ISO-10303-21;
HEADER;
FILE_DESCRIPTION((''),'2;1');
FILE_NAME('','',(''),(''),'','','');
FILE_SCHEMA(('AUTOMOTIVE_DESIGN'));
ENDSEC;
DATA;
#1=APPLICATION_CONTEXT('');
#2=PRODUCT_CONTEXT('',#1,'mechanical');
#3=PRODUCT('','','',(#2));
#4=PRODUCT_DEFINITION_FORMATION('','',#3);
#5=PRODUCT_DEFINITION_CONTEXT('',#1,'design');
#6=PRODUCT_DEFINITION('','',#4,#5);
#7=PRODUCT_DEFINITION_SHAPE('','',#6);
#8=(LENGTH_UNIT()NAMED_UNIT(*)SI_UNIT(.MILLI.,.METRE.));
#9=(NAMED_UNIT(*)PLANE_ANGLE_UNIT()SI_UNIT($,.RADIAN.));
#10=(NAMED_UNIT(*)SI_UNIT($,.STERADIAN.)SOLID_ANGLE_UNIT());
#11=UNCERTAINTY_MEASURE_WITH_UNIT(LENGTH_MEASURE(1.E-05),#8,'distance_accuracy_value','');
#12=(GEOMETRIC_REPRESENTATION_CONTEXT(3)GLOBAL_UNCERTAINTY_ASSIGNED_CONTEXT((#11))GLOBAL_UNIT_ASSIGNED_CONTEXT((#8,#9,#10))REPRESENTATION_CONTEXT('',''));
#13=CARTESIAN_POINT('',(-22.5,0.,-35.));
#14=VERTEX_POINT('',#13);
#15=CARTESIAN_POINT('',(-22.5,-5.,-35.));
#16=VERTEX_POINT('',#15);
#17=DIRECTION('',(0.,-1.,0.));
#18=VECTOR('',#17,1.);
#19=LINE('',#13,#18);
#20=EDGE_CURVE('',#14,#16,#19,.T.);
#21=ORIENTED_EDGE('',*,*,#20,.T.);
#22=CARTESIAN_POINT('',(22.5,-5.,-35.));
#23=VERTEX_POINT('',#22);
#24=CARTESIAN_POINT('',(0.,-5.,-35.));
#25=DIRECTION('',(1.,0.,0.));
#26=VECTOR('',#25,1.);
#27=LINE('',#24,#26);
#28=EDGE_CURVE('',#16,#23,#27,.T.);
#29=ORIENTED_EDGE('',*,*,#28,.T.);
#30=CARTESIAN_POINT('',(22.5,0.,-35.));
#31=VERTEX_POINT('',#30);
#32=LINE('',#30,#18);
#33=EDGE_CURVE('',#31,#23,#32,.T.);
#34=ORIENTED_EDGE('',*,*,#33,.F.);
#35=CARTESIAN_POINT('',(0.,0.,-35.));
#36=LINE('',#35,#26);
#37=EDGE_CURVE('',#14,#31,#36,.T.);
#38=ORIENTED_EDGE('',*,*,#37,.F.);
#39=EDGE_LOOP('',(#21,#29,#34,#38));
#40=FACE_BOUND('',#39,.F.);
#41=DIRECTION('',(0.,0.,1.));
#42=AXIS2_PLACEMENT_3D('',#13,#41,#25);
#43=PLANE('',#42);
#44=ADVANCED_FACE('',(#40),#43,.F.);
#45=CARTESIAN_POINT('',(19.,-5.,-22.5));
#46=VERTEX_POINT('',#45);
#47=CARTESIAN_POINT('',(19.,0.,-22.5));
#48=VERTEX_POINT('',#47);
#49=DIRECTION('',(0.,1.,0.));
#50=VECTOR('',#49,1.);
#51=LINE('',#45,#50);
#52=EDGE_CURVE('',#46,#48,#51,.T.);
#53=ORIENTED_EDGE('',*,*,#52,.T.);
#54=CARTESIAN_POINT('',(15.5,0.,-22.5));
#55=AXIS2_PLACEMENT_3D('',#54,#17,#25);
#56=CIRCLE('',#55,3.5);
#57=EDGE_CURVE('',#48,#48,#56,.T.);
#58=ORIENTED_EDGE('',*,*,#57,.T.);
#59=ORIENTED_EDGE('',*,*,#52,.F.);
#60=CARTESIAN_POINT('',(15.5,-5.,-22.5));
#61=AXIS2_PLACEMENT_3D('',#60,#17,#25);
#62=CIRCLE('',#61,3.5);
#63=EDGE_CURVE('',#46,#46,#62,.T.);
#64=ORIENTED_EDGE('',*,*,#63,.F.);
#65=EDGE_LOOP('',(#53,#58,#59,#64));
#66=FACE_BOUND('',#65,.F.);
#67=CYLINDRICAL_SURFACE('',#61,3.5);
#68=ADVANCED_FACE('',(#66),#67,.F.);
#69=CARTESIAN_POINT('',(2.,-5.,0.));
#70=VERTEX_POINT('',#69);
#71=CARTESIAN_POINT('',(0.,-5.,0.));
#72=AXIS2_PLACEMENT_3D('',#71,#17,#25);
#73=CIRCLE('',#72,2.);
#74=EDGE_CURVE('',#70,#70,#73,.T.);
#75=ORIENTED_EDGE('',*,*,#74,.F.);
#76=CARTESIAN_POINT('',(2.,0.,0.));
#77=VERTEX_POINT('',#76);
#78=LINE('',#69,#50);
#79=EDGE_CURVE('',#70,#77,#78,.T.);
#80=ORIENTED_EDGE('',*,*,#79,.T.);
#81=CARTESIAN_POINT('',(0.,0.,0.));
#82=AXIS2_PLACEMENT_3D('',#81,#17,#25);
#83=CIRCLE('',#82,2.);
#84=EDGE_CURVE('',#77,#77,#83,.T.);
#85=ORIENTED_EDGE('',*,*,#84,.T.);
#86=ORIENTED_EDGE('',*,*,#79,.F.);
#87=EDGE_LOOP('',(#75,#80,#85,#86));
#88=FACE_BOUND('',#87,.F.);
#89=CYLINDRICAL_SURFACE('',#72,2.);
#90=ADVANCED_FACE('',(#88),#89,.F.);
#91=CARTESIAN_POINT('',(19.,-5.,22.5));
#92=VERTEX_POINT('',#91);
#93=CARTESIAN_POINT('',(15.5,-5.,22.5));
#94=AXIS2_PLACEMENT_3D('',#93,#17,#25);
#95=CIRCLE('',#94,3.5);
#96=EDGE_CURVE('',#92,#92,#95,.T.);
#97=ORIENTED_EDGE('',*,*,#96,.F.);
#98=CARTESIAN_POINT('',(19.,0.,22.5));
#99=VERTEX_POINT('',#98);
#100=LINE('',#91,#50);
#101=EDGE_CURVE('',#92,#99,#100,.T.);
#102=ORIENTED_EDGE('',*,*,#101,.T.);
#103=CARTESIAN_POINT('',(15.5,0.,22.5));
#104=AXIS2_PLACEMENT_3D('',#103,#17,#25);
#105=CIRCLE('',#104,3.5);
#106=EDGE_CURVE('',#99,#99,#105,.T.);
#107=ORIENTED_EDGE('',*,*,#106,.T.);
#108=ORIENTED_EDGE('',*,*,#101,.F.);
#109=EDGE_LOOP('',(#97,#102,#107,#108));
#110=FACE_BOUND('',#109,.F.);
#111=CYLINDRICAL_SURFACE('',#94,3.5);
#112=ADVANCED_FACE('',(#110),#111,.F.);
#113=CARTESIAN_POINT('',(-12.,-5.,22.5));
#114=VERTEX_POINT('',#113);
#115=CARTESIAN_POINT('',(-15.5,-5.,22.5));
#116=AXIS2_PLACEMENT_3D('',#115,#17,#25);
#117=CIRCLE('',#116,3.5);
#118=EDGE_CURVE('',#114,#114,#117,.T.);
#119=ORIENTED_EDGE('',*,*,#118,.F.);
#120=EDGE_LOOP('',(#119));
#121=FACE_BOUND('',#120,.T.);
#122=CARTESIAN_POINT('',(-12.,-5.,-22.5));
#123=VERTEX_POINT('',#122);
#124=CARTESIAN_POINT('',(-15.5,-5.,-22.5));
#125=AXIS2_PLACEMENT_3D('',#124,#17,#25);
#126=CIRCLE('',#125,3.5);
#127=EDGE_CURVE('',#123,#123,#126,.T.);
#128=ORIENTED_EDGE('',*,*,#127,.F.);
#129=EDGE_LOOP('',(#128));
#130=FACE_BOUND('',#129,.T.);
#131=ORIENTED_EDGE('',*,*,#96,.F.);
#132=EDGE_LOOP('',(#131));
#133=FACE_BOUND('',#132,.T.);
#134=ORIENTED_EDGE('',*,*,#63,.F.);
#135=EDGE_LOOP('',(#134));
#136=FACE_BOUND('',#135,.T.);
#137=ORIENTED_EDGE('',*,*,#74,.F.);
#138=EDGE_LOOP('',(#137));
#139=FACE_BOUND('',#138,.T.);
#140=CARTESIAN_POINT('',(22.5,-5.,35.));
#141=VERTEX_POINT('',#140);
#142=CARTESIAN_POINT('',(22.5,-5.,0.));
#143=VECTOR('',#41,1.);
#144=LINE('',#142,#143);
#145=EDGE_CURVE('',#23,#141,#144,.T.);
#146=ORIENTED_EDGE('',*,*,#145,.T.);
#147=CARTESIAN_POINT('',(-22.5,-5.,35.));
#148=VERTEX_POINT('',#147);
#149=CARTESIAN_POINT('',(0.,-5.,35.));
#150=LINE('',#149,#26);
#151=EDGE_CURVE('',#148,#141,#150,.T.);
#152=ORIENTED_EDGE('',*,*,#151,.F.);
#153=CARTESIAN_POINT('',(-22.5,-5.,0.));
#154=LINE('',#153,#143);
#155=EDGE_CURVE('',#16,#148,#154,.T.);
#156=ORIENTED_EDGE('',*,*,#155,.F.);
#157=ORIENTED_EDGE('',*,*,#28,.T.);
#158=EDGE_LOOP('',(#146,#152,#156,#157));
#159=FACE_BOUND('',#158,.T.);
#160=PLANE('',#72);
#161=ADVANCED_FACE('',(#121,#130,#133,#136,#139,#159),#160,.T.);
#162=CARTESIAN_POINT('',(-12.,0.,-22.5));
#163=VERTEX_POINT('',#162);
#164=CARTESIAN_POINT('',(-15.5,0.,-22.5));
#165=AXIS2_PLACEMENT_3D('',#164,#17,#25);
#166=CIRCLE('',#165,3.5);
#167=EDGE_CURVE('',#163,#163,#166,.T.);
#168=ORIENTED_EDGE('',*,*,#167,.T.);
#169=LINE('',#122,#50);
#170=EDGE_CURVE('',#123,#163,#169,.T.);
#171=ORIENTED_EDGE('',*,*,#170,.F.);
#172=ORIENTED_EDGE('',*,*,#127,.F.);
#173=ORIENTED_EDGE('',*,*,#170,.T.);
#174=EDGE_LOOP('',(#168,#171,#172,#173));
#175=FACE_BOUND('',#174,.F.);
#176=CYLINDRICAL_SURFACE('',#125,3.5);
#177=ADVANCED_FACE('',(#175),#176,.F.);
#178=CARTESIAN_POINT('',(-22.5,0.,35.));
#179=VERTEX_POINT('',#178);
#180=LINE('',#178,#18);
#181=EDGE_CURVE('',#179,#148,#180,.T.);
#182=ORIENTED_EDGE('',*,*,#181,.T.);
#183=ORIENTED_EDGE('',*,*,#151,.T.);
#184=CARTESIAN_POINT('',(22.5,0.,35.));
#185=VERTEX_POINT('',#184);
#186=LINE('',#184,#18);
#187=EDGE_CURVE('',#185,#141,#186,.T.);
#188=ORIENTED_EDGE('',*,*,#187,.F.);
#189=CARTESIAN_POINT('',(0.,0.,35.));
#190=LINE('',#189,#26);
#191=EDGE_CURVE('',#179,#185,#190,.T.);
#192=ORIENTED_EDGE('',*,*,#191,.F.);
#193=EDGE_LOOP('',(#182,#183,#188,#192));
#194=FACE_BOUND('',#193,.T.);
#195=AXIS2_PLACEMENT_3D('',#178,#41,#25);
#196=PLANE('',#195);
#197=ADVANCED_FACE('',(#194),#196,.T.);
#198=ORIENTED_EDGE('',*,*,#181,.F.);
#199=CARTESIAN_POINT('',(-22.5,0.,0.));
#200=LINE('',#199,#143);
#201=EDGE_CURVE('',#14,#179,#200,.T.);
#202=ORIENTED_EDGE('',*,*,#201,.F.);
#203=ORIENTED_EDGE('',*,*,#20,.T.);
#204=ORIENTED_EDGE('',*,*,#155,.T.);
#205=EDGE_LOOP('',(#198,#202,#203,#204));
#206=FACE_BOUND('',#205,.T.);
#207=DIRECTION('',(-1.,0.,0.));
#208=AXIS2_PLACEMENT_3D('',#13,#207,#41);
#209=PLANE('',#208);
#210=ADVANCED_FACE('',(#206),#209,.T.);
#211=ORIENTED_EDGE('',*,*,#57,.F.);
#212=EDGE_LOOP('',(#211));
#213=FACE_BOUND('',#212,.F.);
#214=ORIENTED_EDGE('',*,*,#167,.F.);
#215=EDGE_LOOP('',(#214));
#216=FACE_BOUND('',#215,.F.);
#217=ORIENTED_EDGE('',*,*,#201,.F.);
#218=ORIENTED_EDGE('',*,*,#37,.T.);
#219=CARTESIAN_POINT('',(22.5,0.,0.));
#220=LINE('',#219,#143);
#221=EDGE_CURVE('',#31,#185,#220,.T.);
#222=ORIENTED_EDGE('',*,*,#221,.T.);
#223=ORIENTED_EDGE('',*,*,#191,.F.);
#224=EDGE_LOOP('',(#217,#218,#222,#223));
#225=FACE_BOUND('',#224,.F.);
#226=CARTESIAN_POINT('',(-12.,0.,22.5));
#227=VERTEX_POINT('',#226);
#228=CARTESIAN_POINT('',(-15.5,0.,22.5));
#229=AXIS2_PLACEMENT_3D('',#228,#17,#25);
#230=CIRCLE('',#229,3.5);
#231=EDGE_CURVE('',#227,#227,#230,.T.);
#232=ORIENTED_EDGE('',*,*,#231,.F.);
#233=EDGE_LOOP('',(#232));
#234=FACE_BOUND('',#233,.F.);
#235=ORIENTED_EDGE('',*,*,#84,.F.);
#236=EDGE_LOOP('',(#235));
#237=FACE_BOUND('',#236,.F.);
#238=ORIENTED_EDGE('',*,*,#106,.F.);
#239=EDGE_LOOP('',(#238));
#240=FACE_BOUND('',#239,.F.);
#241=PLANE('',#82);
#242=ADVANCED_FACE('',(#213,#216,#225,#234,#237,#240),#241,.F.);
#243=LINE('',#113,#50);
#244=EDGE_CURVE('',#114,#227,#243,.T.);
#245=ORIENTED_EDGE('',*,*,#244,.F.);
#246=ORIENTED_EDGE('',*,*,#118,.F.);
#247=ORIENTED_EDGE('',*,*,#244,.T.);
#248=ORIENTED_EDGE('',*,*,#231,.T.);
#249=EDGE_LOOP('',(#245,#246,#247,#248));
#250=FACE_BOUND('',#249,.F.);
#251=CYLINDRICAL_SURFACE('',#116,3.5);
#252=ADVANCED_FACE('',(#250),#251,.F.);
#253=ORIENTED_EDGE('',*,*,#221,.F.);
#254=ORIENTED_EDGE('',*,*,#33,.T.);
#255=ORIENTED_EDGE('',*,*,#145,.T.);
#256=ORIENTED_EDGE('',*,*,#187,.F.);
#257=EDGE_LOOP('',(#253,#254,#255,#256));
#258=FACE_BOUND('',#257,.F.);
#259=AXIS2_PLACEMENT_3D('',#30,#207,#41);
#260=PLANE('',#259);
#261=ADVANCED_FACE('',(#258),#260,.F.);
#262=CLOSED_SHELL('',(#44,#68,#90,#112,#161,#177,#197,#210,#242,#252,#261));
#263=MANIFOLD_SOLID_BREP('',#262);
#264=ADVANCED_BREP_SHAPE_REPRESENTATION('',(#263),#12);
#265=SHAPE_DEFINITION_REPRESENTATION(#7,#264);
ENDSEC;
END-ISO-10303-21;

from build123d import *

# Parameters (mm, degrees)
F0_W     = 45
F0_H     = 70
F1_DEPTH = 5
F2_R     = 3.5
F2_R_2   = 2
F3_DEPTH = 5


with BuildPart() as f1:
    # F0 (on Front) → F1 (new body)
    with BuildSketch(Plane.XZ):
        Rectangle(F0_W, F0_H)
    extrude(amount=F1_DEPTH)

    # F2 (on face) → F3 (cut, through all)
    with BuildSketch(Plane.XZ.offset(5)):
        with Locations((-15.5, 22.5)):
            Circle(F2_R)
        with Locations((15.5, 22.5)):
            Circle(F2_R)
        with Locations((-15.5, -22.5)):
            Circle(F2_R)
        with Locations((15.5, -22.5)):
            Circle(F2_R)
        Circle(F2_R_2)
    extrude(amount=-F3_DEPTH, mode=Mode.SUBTRACT)


solid = f1.part
